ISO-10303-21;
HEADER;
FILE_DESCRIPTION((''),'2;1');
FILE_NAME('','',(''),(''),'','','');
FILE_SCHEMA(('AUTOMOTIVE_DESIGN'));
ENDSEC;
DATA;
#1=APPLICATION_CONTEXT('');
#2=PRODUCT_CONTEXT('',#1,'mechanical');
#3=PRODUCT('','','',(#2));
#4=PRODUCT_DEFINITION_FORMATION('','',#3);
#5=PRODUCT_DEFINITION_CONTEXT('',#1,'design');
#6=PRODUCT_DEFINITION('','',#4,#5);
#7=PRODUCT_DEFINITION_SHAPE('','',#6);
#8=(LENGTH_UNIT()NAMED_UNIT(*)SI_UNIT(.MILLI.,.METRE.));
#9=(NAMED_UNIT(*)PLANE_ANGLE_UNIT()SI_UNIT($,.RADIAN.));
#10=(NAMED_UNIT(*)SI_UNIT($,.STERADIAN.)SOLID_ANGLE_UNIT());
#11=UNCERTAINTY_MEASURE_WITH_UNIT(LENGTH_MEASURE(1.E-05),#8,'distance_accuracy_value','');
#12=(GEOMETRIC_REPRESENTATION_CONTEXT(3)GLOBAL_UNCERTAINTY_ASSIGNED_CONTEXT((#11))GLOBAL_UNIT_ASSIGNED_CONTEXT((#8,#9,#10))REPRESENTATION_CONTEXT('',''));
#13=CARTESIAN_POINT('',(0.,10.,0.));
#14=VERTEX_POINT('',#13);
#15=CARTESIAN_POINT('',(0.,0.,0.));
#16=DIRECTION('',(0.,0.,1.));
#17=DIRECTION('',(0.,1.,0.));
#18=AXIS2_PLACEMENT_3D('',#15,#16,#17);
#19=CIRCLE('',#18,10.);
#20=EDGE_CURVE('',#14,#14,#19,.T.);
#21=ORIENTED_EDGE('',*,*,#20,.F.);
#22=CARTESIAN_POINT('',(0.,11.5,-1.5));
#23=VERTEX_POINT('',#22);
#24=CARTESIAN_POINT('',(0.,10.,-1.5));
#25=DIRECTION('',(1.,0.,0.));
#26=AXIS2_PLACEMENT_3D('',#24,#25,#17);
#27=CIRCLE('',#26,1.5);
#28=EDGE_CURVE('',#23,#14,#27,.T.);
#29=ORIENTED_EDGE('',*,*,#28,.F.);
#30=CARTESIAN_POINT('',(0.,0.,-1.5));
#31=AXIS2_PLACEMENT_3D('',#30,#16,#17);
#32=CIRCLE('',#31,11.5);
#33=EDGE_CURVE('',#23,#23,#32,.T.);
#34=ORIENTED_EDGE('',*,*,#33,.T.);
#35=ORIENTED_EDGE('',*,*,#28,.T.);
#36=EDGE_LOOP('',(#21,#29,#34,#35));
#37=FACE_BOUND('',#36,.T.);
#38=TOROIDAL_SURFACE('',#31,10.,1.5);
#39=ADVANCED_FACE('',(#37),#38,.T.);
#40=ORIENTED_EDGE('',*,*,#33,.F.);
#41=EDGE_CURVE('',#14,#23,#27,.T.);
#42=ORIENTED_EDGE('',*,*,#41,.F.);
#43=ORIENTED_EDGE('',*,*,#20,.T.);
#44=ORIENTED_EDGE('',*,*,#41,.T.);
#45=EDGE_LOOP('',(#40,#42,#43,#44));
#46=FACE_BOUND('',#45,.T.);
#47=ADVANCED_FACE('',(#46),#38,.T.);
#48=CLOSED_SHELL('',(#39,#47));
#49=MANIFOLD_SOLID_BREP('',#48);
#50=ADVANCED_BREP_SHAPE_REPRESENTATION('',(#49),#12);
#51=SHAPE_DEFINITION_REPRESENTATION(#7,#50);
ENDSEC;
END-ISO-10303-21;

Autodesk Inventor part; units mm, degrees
ref_plane "YZ Plane" through (0, 0, 0) normal (1, 0, 0) x (0, 1, 0)
ref_plane "XZ Plane" through (0, 0, 0) normal (0, 1, 0) x (-1, 0, 0)
ref_plane "XY Plane" through (0, 0, 0) normal (0, 0, 1) x (1, 0, 0)
sketch "Esquisse1" plane through (0, 0, 0) normal (1, 0, 0) x (0, 1, 0)
  circle A0 centre (10, -1.5) radius 1.5
  line L0 (8.5, -0.5557) -> (8.5, -2.4443) construction
  line L1 (0, -3.6) -> (0, 0.6) projected
  line L2 (-2.3, 0) -> (13.8, 0) projected
  point P0 (0, 0)
  point P1 (8.5, -1.5)
  dimension "d0" = 3
  dimension "d1" = 8.5
revolve "Révolution1" add sketch "Esquisse1" angle 360 about axis through (0, 0, -10) along (0, 0, 1)
properties part number "joint"
